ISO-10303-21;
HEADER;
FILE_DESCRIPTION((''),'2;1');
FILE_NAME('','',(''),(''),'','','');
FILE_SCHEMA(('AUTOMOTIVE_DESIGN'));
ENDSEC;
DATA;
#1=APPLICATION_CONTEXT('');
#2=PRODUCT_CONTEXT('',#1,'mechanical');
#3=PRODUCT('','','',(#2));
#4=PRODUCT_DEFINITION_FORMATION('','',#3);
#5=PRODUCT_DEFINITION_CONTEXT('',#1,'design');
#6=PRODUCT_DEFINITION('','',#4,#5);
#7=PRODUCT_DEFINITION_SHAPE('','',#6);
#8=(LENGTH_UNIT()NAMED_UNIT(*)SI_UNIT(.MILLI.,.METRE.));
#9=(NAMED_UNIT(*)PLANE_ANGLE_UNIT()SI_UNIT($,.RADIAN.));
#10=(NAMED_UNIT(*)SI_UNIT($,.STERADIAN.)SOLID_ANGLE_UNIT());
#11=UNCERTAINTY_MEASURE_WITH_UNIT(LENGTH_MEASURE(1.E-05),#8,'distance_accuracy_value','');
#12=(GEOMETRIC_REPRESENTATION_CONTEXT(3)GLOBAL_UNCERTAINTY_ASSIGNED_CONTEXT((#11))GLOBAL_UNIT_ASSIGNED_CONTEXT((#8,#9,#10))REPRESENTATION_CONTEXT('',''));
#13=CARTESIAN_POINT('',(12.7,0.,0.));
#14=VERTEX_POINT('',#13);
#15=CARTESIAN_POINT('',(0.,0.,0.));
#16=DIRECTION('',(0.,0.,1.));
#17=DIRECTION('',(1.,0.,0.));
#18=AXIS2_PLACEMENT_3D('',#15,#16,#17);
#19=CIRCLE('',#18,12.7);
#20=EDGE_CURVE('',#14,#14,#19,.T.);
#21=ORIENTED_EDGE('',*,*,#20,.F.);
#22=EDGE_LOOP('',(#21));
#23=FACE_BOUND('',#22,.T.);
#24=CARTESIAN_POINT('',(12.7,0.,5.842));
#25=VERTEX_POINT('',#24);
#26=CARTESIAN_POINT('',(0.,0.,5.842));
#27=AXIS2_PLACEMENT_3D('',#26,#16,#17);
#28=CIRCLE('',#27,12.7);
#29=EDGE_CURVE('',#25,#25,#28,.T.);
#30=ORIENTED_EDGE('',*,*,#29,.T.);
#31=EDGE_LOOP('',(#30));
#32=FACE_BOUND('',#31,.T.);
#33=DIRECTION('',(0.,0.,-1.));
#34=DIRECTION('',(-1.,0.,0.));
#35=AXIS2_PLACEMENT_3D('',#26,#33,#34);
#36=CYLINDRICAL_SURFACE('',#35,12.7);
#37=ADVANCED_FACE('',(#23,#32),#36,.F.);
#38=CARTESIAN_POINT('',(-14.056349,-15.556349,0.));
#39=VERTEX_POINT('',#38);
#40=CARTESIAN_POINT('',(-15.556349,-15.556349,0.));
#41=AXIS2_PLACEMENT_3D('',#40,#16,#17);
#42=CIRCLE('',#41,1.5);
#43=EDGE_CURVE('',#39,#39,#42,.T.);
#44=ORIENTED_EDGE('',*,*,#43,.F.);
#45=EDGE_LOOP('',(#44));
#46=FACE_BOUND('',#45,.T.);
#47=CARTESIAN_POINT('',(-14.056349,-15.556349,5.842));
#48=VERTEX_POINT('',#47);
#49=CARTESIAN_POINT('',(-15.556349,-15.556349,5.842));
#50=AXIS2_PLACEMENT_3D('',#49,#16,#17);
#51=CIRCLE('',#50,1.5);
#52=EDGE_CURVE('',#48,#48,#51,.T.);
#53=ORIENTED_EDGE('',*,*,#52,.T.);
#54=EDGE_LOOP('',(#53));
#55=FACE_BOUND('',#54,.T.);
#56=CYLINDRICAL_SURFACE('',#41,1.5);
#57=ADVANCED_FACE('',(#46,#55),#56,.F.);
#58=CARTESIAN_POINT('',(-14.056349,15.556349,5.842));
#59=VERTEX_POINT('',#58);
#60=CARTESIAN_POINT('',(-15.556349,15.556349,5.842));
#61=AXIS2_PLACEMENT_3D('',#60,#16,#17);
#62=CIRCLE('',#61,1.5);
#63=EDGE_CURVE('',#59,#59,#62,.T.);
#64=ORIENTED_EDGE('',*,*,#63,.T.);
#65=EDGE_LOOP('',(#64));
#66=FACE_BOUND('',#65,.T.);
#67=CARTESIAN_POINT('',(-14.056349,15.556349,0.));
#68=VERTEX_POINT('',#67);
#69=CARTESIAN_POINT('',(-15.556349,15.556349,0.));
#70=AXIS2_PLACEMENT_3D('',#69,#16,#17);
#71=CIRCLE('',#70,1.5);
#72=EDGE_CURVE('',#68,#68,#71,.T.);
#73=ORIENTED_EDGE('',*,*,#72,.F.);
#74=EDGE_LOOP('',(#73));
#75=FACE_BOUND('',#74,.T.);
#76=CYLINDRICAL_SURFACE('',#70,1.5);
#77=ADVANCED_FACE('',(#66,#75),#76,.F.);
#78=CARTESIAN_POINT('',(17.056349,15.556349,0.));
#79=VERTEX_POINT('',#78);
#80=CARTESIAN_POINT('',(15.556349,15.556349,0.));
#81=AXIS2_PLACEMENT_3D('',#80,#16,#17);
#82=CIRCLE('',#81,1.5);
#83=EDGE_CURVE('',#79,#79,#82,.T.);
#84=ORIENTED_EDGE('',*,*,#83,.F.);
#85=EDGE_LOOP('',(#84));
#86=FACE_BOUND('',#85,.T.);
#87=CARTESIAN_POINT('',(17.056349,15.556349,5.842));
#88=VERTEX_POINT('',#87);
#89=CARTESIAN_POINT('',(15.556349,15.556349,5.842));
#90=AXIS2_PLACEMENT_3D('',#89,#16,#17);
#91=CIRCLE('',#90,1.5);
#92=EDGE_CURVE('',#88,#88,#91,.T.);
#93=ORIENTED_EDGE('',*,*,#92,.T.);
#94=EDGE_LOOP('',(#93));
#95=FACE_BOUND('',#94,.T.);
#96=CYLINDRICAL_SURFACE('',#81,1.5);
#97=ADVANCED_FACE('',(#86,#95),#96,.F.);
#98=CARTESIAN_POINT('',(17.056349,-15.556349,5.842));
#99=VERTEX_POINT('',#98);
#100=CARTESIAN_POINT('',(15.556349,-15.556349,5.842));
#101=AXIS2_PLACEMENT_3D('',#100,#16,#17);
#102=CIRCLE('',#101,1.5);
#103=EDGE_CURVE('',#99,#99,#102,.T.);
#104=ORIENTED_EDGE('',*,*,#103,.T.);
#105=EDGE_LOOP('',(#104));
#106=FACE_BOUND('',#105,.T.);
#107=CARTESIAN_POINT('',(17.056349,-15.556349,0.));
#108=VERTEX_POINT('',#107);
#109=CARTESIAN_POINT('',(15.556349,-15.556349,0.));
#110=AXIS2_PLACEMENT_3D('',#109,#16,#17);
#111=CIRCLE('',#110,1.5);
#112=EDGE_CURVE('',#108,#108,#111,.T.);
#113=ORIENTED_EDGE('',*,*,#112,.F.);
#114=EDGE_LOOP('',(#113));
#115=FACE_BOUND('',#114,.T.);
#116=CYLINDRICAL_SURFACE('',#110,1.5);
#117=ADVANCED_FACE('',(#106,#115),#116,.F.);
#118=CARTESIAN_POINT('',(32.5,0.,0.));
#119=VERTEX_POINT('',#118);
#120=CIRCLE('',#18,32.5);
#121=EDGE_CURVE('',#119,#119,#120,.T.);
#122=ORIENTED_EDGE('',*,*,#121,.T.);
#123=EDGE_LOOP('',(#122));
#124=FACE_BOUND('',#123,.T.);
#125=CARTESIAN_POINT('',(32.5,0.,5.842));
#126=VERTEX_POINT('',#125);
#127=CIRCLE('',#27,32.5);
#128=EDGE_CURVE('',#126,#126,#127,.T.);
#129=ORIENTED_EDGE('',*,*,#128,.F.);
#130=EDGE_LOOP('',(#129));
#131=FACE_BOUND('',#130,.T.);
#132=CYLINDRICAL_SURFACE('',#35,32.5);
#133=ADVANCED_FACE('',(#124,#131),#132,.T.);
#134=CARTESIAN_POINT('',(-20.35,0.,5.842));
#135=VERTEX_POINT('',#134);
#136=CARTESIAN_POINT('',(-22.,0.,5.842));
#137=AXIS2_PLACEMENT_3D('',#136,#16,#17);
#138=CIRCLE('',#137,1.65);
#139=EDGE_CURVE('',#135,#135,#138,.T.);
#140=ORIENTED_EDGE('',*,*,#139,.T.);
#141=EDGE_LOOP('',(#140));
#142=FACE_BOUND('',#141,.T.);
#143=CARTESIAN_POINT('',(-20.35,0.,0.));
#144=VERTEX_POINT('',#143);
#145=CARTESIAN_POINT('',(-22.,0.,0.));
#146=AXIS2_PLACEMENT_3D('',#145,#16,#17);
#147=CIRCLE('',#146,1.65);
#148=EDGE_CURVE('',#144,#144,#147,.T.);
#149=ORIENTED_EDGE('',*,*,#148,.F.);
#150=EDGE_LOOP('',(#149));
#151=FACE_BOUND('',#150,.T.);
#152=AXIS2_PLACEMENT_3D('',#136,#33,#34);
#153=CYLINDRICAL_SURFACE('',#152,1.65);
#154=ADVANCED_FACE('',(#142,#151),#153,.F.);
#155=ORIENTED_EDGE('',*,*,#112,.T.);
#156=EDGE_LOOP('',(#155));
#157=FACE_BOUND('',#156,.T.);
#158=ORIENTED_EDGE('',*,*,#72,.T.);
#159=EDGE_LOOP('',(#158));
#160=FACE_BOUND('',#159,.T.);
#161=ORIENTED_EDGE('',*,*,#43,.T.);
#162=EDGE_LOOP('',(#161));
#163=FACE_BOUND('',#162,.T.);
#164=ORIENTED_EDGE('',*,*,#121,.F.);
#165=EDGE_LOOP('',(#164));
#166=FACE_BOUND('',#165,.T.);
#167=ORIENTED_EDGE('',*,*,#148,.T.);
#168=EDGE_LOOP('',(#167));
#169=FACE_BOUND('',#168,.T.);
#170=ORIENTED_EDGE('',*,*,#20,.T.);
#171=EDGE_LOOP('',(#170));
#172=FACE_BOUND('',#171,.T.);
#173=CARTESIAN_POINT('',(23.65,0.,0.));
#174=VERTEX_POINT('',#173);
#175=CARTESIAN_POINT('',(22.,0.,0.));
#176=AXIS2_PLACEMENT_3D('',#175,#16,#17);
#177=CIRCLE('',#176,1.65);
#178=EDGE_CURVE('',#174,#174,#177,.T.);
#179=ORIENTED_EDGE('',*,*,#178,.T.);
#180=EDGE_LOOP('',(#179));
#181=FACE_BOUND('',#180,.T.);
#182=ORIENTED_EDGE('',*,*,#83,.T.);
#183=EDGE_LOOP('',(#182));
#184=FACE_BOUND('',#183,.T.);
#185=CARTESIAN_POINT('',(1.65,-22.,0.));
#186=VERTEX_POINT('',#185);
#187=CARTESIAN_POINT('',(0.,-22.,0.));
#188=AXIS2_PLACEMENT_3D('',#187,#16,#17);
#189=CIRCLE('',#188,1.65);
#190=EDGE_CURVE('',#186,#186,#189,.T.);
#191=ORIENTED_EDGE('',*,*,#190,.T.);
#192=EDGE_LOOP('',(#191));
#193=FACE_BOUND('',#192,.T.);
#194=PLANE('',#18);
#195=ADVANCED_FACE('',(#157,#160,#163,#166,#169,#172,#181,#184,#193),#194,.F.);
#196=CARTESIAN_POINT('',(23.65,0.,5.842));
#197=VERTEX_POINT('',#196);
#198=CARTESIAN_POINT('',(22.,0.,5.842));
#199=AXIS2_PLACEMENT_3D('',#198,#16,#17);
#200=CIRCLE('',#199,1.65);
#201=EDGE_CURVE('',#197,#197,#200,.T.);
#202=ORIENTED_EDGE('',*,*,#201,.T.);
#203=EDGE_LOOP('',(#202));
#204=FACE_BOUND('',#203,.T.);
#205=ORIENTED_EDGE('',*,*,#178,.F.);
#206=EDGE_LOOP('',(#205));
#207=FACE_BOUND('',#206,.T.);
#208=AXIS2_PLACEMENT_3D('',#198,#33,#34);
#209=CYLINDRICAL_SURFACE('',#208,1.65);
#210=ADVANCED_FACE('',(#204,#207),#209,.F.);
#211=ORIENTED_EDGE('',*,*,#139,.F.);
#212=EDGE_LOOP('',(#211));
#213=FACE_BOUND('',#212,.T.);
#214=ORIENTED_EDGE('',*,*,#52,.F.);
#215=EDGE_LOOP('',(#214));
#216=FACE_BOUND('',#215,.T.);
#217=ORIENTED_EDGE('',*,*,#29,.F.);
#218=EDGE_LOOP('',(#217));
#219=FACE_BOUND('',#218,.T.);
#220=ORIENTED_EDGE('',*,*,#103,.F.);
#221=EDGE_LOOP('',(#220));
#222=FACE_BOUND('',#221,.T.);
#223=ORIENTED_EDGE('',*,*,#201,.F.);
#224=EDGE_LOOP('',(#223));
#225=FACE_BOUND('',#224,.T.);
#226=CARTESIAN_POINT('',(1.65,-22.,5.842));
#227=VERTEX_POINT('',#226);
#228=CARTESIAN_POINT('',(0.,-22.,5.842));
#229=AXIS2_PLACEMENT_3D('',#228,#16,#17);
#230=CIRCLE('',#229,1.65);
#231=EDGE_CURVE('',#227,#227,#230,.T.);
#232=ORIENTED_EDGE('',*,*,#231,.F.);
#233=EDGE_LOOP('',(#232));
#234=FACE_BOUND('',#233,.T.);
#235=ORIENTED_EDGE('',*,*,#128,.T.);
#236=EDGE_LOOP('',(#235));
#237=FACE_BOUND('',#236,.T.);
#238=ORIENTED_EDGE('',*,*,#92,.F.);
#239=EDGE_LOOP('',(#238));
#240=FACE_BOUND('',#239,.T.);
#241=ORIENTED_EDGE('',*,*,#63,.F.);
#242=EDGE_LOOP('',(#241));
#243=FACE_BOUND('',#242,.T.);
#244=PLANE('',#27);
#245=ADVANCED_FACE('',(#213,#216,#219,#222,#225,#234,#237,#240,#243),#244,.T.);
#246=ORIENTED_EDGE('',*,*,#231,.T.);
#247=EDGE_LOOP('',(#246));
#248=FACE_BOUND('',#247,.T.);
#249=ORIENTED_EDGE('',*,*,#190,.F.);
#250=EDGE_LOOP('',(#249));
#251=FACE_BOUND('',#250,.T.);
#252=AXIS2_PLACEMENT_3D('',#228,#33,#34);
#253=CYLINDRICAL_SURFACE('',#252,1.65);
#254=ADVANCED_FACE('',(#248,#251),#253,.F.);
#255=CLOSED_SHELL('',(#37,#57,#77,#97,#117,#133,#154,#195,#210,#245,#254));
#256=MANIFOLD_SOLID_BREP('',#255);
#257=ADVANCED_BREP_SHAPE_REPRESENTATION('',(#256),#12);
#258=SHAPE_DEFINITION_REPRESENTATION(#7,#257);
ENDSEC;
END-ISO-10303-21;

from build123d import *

# Parameters (mm, degrees)
SKETCH1_R           = 32.5
SKETCH1_R_2         = 12.7
SKETCH1_R_3         = 1.65
BOSS_EXTRUDE1_DEPTH = 5.842
SKETCH2_R           = 1.5
CUT_EXTRUDE2_DEPTH  = 47.331727401


with BuildPart() as part:
    # Sketch1 → Boss-Extrude1 (new body)
    with BuildSketch(Plane.XY):
        Circle(SKETCH1_R)
        Circle(SKETCH1_R_2, mode=Mode.SUBTRACT)
        with Locations((22, 0)):
            Circle(SKETCH1_R_3, mode=Mode.SUBTRACT)
        with Locations((0, -22)):
            Circle(SKETCH1_R_3, mode=Mode.SUBTRACT)
        with Locations((-22, 0)):
            Circle(SKETCH1_R_3, mode=Mode.SUBTRACT)
    extrude(amount=BOSS_EXTRUDE1_DEPTH)

    # Sketch2 → Cut-Extrude2 (cut, through all)
    with BuildSketch(Plane.XY.offset(5.842)):
        with Locations((-15.556349186, -15.556349186)):
            Circle(SKETCH2_R)
        with Locations((-15.556349186, 15.556349186)):
            Circle(SKETCH2_R)
        with Locations((15.556349186, 15.556349186)):
            Circle(SKETCH2_R)
        with Locations((15.556349186, -15.556349186)):
            Circle(SKETCH2_R)
    extrude(amount=-CUT_EXTRUDE2_DEPTH, mode=Mode.SUBTRACT)


solid = part.part
